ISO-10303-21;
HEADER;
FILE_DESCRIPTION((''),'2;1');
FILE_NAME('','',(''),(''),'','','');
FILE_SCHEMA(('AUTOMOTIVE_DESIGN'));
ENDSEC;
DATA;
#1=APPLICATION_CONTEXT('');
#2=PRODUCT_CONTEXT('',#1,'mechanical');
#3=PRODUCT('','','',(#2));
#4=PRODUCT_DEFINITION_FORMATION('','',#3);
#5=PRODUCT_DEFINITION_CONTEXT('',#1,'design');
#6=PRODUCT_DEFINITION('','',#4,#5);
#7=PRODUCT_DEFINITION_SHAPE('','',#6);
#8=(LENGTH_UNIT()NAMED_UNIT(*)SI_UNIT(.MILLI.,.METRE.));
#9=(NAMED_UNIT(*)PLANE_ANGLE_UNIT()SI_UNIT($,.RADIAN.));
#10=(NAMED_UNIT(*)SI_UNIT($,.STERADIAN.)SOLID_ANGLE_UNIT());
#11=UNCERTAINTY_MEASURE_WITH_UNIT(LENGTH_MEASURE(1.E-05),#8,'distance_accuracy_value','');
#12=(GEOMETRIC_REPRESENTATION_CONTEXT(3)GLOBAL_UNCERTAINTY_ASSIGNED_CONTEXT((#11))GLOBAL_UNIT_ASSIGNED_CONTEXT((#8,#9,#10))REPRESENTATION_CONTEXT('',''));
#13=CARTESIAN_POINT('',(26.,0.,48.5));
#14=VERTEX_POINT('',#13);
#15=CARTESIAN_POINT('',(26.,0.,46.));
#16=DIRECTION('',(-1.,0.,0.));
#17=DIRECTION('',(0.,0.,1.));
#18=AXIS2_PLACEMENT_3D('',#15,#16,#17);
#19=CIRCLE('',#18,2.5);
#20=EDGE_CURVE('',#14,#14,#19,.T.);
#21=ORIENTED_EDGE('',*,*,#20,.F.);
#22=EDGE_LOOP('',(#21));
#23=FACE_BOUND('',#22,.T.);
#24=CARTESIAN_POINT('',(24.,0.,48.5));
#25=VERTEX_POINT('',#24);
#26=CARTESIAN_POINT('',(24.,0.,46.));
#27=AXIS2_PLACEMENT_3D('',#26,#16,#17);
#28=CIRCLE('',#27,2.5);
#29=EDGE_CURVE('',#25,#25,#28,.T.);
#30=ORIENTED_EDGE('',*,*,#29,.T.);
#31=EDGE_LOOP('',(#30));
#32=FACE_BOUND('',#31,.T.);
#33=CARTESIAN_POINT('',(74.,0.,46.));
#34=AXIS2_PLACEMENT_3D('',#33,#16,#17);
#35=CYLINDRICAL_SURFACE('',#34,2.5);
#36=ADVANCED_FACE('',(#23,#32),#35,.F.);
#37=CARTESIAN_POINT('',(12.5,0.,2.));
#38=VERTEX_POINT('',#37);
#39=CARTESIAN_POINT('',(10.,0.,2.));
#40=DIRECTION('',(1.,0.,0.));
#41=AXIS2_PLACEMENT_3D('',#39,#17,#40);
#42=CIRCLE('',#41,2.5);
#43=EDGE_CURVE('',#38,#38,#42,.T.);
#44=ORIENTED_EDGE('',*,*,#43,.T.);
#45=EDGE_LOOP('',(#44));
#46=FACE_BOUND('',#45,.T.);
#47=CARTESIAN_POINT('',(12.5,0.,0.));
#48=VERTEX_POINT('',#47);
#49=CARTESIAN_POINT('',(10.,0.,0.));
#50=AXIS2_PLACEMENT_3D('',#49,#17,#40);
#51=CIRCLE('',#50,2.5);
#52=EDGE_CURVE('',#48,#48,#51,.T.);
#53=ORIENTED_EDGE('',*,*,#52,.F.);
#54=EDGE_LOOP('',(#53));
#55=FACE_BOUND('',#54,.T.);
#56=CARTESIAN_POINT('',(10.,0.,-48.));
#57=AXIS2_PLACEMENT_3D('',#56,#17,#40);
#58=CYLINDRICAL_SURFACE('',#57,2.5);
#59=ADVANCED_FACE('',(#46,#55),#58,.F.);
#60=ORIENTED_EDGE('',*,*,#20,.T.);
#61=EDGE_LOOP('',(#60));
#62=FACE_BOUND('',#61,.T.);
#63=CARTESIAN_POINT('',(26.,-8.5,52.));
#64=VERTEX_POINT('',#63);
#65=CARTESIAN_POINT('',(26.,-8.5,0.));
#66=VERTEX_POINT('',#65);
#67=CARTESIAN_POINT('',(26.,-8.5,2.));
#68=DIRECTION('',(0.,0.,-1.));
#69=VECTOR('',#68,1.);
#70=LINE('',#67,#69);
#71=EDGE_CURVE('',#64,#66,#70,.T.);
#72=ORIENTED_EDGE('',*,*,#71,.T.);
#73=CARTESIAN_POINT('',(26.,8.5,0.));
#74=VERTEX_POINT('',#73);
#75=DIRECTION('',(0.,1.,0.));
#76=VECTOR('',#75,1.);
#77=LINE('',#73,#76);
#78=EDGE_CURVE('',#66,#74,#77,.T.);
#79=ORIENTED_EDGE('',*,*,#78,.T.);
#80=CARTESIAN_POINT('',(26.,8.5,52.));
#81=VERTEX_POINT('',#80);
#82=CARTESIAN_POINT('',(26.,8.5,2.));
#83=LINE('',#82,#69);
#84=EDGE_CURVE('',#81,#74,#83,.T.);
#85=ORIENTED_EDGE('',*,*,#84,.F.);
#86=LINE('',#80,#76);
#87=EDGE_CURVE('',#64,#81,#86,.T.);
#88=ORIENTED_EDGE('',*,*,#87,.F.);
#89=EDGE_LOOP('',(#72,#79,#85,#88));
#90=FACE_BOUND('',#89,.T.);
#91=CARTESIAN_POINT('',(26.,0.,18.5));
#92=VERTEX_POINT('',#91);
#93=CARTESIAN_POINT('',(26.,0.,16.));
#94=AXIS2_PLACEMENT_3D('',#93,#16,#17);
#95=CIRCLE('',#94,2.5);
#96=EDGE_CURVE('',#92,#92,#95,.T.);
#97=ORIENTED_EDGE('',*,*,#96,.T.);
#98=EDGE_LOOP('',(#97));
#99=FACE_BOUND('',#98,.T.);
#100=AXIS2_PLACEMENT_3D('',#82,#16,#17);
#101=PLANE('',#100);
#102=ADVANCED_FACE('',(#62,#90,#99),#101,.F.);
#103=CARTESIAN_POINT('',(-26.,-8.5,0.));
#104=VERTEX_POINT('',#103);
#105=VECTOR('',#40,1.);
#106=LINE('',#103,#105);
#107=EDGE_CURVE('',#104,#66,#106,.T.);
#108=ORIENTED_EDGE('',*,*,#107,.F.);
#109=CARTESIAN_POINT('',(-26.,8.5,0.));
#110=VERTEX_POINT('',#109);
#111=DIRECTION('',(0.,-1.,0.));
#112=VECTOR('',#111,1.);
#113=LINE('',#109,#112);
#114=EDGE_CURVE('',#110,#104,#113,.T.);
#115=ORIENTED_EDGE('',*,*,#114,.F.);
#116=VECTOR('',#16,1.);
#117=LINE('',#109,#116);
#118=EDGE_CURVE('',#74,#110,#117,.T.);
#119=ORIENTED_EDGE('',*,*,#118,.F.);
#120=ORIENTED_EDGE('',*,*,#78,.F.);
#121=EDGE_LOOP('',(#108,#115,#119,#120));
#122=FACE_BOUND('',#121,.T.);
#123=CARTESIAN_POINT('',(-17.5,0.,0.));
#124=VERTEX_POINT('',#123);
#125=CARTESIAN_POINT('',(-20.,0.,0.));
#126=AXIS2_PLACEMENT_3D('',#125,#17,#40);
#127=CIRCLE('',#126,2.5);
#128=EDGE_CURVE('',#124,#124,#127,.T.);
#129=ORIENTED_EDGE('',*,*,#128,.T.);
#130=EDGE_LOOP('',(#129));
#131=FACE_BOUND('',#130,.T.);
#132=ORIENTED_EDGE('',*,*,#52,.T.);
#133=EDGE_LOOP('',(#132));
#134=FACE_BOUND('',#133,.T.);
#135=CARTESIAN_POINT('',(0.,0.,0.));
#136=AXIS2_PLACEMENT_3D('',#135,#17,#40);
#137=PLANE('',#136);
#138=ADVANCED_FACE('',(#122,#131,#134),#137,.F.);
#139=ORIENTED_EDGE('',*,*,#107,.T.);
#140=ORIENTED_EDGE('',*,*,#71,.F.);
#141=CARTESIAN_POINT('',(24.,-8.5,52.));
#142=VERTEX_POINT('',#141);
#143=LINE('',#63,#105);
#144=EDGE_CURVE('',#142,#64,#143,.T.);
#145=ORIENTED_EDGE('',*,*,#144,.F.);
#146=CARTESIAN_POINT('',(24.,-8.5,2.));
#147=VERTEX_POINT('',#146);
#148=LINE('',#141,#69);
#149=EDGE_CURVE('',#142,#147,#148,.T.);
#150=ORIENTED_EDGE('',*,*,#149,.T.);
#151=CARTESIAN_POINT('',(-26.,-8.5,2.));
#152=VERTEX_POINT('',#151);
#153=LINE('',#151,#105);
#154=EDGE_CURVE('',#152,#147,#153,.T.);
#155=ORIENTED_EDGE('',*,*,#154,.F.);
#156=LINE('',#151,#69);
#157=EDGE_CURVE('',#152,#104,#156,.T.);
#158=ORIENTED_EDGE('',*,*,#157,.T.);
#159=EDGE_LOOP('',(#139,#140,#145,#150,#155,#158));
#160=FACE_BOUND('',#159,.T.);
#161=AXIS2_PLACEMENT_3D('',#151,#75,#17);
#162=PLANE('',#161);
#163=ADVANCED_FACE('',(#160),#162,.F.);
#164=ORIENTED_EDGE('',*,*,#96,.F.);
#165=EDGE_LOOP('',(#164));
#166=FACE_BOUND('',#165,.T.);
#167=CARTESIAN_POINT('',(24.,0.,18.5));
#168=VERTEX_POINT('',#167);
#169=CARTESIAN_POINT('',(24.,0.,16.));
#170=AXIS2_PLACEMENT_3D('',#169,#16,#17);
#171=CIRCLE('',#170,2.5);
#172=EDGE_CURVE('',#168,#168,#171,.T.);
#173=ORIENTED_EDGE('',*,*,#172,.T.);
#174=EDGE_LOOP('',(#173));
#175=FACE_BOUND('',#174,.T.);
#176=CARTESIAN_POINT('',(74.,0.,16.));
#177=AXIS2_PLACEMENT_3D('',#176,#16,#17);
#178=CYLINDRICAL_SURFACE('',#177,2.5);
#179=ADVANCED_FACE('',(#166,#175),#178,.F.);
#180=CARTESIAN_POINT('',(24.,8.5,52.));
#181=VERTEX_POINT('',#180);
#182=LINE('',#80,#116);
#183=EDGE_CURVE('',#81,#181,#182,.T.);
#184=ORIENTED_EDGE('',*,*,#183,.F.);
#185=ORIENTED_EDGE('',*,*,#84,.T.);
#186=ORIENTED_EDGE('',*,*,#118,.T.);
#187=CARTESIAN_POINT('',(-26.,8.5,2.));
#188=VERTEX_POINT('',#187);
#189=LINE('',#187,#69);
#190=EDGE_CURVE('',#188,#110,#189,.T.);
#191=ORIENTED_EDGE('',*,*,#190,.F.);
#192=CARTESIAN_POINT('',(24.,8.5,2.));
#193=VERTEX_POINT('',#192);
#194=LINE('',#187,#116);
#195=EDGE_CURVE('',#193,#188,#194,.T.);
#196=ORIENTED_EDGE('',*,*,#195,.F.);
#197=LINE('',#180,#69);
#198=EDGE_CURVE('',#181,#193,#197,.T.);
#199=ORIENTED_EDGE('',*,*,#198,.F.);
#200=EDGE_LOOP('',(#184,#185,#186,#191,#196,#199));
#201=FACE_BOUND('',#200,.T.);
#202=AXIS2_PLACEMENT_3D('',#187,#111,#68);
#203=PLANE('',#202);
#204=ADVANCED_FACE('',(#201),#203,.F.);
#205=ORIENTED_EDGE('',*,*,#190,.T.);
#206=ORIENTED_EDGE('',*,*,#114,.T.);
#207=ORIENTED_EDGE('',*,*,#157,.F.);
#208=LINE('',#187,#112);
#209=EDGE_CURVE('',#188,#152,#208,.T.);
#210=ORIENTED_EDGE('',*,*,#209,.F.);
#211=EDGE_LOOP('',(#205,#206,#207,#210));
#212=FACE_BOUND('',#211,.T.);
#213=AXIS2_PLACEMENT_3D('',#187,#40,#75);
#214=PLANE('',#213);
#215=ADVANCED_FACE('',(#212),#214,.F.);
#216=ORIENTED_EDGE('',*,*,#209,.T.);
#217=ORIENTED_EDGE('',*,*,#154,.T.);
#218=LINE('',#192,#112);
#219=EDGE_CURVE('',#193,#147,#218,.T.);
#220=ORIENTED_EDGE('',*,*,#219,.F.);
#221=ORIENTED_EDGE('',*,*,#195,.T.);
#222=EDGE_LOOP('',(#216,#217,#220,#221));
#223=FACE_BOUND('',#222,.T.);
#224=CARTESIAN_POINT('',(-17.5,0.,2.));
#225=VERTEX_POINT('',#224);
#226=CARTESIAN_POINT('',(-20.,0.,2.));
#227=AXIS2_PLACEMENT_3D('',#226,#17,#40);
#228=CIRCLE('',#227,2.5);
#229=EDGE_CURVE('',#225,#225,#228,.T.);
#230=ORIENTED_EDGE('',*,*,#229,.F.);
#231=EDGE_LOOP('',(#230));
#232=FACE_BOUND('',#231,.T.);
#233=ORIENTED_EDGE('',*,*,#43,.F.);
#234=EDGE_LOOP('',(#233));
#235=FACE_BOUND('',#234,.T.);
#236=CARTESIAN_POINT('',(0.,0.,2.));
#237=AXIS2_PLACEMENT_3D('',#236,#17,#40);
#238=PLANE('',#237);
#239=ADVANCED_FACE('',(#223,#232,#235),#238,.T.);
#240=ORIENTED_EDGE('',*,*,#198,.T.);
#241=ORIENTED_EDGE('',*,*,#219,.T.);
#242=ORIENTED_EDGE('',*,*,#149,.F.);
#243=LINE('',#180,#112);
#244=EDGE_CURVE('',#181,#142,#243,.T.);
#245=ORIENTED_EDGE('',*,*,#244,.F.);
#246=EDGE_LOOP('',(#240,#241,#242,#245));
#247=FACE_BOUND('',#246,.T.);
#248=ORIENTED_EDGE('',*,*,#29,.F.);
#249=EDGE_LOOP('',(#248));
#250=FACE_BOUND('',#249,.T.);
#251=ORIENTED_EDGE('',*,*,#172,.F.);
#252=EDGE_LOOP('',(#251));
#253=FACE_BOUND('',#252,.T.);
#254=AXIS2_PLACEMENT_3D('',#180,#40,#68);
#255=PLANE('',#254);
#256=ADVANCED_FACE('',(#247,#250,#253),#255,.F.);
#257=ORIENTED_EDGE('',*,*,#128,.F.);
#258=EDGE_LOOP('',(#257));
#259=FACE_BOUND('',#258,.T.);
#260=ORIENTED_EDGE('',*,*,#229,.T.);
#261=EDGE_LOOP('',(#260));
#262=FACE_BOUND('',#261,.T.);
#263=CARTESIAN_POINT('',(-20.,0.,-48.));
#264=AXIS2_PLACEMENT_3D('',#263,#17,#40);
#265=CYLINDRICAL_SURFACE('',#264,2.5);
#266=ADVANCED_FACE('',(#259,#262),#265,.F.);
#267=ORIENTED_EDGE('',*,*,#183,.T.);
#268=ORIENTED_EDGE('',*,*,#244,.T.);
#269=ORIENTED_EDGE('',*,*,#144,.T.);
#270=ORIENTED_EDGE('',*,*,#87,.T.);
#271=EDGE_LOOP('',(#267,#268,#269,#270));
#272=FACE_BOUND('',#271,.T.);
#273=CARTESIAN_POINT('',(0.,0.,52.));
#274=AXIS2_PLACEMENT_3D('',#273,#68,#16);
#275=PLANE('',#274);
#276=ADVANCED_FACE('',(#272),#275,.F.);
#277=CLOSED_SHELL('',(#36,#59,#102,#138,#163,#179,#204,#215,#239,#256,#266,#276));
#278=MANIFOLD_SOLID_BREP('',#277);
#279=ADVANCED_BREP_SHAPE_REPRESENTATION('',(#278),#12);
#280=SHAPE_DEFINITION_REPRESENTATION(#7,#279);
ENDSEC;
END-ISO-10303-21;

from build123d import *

# Parameters (mm, degrees)
ESQUISSE1_W             = 52
ESQUISSE1_H             = 17
BOSS_EXTRU_1_DEPTH      = 2
ESQUISSE2_W             = 2
ESQUISSE2_H             = 17
BOSS_EXTRU_2_DEPTH      = 50
ESQUISSE3_R             = 2.5
ENL_V_MAT_EXTRU_1_DEPTH = 50
ESQUISSE4_R             = 2.5
ENL_V_MAT_EXTRU_2_DEPTH = 50


with BuildPart() as part:
    # Esquisse1 → Boss.-Extru.1 (new body)
    with BuildSketch(Plane.XY):
        Rectangle(ESQUISSE1_W, ESQUISSE1_H)
    extrude(amount=BOSS_EXTRU_1_DEPTH)

    # Esquisse2 → Boss.-Extru.2 (add)
    with BuildSketch(Plane.XY.offset(2)):
        with Locations((25, 0)):
            Rectangle(ESQUISSE2_W, ESQUISSE2_H)
    extrude(amount=BOSS_EXTRU_2_DEPTH)

    # Esquisse3 → Enlèv. mat.-Extru.1 (cut)
    with BuildSketch(Plane.XY.offset(2)):
        with Locations((-20, 0)):
            Circle(ESQUISSE3_R)
        with Locations((10, 0)):
            Circle(ESQUISSE3_R)
    extrude(amount=-ENL_V_MAT_EXTRU_1_DEPTH, mode=Mode.SUBTRACT)

    # Esquisse4 → Enlèv. mat.-Extru.2 (cut)
    with BuildSketch(Plane.ZY.offset(-24)):
        with Locations((46, 0)):
            Circle(ESQUISSE4_R)
        with Locations((16, 0)):
            Circle(ESQUISSE4_R)
    extrude(amount=-ENL_V_MAT_EXTRU_2_DEPTH, mode=Mode.SUBTRACT)


solid = part.part
